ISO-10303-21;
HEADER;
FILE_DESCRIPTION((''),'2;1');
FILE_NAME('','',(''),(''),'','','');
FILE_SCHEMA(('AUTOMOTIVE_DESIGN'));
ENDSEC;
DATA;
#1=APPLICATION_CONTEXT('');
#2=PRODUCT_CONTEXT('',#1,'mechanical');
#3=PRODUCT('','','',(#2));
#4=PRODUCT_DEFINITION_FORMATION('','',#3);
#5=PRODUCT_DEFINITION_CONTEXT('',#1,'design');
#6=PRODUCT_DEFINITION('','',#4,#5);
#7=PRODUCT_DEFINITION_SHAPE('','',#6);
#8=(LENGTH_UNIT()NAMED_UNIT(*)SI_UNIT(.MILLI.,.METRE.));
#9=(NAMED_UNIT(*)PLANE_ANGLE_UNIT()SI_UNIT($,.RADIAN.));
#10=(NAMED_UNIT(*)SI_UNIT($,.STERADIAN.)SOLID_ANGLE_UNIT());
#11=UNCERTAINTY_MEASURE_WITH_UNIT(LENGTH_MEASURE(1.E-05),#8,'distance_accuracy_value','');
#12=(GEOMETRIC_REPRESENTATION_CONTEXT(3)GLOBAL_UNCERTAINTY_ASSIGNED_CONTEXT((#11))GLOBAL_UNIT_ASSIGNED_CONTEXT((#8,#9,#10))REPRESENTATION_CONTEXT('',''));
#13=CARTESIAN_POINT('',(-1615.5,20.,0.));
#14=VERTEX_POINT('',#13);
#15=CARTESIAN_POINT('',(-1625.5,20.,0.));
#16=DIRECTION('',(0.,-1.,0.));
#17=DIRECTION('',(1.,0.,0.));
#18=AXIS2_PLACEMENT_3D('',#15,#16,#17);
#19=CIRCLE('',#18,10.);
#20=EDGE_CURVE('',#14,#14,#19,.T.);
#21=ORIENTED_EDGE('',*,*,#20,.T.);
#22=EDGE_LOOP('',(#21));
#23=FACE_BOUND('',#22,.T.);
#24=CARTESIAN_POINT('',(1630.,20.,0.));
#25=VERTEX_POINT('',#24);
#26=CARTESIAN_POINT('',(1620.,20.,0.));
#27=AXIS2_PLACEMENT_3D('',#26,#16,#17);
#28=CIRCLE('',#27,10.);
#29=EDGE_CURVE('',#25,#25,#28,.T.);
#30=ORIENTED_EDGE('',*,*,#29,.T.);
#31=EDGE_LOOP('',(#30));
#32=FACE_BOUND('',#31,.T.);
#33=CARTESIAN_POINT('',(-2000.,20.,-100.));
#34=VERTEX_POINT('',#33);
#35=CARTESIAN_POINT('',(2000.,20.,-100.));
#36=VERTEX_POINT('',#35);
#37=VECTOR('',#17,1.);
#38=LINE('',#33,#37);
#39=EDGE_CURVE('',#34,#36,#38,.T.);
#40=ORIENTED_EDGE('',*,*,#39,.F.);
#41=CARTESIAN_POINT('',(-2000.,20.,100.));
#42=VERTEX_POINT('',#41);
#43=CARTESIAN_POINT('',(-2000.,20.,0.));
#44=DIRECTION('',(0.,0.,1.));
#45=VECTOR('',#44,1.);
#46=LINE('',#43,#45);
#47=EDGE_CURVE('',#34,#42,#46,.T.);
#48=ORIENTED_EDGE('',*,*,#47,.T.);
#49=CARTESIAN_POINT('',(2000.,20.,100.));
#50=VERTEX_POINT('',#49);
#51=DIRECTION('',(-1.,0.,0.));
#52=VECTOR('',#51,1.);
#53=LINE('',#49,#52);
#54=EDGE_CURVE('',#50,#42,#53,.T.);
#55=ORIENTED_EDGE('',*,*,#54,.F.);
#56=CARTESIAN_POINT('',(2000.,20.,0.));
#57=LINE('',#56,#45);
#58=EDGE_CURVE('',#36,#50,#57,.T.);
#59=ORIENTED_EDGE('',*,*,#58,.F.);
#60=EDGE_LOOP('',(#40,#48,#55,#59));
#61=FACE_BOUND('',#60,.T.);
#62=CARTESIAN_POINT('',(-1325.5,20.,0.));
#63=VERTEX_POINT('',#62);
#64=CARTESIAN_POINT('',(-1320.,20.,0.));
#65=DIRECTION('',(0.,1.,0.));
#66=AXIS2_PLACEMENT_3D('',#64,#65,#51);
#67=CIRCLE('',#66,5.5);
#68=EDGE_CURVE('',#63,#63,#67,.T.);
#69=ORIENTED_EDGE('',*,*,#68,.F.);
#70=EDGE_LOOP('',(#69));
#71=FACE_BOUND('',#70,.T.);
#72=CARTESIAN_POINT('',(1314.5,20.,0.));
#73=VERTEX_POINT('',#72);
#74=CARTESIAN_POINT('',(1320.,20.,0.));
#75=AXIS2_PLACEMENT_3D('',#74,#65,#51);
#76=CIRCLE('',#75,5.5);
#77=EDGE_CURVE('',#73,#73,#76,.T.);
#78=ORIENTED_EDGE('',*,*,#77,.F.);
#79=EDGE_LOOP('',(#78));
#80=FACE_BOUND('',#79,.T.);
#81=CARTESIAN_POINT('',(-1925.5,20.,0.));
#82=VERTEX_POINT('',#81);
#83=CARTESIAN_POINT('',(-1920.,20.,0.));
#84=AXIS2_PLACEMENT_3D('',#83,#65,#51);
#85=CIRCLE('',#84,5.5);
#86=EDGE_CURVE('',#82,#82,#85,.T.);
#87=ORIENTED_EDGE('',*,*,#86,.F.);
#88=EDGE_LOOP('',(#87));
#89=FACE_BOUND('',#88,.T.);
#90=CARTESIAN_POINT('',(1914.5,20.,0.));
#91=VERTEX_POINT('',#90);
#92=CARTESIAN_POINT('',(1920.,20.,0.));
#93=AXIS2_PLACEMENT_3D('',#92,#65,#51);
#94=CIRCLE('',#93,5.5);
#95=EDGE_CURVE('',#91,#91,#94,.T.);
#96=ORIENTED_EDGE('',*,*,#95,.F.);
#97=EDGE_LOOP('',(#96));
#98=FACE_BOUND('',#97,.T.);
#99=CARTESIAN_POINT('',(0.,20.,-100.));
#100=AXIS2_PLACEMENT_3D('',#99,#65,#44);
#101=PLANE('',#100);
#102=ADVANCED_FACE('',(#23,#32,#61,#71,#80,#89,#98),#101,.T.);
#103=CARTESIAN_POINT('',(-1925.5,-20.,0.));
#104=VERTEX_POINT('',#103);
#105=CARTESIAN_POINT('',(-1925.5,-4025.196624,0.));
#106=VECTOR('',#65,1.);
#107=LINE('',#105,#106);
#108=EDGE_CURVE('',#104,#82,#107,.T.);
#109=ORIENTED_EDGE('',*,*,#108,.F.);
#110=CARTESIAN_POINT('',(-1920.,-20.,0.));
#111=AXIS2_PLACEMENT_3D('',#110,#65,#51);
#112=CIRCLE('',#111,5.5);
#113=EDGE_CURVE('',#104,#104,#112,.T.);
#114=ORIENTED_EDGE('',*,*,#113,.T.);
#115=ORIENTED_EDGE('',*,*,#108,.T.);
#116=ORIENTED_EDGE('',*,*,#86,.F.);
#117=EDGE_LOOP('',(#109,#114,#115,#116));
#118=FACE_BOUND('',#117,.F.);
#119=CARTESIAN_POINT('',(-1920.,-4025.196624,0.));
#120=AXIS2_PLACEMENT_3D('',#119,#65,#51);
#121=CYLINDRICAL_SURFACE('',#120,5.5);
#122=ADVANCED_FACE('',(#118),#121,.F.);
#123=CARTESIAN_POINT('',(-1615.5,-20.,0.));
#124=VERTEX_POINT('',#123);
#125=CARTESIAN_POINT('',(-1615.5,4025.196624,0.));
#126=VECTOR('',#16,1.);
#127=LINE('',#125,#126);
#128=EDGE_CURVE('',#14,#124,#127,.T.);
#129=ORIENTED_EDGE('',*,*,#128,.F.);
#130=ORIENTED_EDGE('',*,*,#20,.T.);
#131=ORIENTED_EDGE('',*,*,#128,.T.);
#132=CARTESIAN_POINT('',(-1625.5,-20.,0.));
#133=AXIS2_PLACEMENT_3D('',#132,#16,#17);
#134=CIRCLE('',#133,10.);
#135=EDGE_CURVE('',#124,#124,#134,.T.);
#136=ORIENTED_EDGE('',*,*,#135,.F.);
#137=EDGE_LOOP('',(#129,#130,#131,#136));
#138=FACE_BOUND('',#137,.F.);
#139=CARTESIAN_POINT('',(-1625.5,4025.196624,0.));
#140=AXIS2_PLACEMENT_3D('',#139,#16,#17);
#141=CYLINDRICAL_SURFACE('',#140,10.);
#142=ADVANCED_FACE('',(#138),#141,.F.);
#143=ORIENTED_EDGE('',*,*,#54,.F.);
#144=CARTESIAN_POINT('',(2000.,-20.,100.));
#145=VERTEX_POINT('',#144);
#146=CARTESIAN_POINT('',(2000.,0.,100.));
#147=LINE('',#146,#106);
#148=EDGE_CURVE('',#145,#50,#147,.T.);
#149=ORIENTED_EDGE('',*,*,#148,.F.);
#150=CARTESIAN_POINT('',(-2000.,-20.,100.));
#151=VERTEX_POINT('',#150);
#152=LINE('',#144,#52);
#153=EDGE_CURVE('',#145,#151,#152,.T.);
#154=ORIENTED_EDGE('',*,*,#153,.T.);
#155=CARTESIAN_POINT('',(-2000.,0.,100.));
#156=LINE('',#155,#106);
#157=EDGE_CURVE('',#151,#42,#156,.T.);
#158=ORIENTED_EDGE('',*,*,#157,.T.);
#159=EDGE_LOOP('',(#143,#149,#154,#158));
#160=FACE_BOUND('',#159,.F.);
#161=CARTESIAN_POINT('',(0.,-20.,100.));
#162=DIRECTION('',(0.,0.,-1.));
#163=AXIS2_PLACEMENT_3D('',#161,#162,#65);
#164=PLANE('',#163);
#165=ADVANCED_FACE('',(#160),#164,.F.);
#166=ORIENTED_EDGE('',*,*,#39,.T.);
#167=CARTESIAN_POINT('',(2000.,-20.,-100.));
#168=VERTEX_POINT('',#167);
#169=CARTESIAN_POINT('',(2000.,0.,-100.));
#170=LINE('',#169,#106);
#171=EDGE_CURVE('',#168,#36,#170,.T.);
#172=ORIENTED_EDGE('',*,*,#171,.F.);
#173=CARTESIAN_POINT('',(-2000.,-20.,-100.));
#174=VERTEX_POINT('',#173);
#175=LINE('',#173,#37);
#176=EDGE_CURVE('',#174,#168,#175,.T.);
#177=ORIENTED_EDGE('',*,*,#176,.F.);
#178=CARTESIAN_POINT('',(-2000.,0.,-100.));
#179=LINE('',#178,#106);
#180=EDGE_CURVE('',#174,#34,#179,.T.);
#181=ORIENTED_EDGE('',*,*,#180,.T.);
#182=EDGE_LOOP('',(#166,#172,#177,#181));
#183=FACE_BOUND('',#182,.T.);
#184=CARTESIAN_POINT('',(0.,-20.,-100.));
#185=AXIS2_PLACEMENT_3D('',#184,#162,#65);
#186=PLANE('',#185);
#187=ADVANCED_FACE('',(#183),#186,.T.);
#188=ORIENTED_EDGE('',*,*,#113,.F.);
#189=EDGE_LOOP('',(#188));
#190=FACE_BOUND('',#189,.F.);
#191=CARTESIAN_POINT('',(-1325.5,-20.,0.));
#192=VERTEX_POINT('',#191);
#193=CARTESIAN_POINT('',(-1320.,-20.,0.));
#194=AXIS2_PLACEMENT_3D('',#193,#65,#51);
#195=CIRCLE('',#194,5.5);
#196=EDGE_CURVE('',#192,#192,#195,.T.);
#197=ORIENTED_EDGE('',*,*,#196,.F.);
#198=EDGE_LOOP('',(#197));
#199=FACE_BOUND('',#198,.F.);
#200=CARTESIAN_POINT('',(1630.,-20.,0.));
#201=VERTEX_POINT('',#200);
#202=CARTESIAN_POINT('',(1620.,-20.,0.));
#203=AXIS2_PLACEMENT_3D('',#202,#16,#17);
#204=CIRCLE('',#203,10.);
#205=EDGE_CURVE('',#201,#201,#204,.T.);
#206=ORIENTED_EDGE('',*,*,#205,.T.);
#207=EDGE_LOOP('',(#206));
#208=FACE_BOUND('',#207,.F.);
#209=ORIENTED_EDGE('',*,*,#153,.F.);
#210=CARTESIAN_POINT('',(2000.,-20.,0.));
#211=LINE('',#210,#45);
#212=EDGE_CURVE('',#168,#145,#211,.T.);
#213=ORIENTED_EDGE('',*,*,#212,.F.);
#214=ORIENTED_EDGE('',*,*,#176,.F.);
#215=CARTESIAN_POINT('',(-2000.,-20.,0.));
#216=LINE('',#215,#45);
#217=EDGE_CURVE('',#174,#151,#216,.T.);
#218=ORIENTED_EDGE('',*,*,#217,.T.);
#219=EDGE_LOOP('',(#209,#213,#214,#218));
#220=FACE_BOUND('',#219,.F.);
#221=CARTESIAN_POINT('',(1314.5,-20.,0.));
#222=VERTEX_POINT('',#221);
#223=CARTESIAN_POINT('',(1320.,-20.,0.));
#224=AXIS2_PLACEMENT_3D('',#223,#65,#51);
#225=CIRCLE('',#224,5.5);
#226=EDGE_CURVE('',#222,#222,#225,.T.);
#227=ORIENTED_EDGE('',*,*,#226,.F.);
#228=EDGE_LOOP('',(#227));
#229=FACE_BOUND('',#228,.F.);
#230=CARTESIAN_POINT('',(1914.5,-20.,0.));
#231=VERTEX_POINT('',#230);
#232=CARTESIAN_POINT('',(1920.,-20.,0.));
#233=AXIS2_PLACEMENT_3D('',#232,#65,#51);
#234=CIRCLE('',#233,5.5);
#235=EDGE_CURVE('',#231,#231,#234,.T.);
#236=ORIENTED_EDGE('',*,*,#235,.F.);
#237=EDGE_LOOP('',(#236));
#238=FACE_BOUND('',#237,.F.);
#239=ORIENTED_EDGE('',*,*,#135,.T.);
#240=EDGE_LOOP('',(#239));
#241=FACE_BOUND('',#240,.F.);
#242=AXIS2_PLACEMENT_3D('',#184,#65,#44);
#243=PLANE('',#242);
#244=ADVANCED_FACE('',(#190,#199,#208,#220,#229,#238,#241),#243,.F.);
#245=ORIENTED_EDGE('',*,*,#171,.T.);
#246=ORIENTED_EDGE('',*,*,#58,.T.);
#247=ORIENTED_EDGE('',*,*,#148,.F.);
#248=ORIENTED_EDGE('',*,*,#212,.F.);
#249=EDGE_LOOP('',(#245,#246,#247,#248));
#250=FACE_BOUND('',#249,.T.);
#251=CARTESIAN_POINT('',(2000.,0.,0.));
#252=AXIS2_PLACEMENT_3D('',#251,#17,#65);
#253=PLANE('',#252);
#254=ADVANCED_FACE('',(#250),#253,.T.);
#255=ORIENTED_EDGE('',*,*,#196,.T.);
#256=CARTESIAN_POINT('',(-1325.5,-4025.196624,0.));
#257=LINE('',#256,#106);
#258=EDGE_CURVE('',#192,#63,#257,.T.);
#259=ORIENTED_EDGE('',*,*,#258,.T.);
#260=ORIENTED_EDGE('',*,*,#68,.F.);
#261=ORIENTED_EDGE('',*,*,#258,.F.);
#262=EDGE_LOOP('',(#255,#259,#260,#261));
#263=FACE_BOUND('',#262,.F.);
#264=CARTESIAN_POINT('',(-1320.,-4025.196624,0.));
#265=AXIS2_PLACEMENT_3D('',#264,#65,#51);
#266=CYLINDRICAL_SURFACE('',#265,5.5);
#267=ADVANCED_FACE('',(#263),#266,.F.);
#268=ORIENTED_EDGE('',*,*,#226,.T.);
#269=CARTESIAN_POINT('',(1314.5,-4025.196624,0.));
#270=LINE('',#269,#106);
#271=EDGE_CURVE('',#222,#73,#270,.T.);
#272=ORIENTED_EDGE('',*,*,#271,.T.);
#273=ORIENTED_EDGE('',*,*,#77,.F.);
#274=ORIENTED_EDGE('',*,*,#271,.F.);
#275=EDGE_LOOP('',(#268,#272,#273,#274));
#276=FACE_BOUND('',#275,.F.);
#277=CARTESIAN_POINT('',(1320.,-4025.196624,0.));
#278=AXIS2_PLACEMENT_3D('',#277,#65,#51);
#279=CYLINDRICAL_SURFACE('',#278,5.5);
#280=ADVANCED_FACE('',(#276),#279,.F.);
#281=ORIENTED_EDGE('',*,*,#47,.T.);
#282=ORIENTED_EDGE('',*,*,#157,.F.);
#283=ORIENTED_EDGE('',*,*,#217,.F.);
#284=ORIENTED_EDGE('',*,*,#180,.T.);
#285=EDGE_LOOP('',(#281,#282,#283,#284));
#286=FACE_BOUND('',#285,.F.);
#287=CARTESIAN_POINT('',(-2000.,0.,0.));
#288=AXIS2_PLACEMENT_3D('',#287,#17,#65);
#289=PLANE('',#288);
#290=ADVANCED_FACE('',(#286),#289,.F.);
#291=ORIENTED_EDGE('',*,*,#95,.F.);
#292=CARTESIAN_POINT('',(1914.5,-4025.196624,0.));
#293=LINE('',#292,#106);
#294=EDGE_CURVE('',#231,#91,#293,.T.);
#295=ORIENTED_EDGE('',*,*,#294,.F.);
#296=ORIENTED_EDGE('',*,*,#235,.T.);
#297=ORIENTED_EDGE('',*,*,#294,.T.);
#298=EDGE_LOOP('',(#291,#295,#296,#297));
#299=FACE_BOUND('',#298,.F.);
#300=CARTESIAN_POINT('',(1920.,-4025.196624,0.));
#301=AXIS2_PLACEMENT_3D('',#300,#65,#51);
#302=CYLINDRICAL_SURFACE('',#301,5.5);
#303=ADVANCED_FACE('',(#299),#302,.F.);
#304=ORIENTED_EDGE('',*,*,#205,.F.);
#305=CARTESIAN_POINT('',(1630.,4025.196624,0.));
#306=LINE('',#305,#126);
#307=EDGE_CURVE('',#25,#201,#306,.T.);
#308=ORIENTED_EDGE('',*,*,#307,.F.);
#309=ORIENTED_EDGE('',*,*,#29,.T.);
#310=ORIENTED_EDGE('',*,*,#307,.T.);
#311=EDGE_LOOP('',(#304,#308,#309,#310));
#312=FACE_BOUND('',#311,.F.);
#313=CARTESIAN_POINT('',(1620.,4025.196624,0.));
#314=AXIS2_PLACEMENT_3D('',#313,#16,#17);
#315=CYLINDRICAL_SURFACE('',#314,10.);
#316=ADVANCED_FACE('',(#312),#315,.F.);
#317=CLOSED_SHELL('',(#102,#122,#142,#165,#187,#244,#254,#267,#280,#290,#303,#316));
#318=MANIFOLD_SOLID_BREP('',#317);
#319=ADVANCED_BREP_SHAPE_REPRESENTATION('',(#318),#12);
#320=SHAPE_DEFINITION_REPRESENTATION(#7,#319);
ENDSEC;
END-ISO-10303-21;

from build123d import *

# Parameters (mm, degrees)
F0_W     = 40
F0_H     = 200
F1_DEPTH = 2000
F3_D     = 11
F5_D     = 20


with BuildPart() as f1:
    # F0 (on Right) → F1 (new body, symmetric)
    with BuildSketch(Plane.YZ):
        Rectangle(F0_W, F0_H)
    extrude(amount=F1_DEPTH, both=True)

    # F3 (through all)
    with Locations(Plane.XZ.offset(20)):
        with Locations((-1920, 0), (-1320, 0), (1320, 0), (1920, 0)):
            Hole(F3_D / 2)

    # F5 (through all)
    with Locations(Plane(origin=(0, 20, 0), x_dir=(-1, 0, 0), z_dir=(0, 1, 0))):
        with Locations((1625.5, 0), (-1620, 0)):
            Hole(F5_D / 2)


solid = f1.part
